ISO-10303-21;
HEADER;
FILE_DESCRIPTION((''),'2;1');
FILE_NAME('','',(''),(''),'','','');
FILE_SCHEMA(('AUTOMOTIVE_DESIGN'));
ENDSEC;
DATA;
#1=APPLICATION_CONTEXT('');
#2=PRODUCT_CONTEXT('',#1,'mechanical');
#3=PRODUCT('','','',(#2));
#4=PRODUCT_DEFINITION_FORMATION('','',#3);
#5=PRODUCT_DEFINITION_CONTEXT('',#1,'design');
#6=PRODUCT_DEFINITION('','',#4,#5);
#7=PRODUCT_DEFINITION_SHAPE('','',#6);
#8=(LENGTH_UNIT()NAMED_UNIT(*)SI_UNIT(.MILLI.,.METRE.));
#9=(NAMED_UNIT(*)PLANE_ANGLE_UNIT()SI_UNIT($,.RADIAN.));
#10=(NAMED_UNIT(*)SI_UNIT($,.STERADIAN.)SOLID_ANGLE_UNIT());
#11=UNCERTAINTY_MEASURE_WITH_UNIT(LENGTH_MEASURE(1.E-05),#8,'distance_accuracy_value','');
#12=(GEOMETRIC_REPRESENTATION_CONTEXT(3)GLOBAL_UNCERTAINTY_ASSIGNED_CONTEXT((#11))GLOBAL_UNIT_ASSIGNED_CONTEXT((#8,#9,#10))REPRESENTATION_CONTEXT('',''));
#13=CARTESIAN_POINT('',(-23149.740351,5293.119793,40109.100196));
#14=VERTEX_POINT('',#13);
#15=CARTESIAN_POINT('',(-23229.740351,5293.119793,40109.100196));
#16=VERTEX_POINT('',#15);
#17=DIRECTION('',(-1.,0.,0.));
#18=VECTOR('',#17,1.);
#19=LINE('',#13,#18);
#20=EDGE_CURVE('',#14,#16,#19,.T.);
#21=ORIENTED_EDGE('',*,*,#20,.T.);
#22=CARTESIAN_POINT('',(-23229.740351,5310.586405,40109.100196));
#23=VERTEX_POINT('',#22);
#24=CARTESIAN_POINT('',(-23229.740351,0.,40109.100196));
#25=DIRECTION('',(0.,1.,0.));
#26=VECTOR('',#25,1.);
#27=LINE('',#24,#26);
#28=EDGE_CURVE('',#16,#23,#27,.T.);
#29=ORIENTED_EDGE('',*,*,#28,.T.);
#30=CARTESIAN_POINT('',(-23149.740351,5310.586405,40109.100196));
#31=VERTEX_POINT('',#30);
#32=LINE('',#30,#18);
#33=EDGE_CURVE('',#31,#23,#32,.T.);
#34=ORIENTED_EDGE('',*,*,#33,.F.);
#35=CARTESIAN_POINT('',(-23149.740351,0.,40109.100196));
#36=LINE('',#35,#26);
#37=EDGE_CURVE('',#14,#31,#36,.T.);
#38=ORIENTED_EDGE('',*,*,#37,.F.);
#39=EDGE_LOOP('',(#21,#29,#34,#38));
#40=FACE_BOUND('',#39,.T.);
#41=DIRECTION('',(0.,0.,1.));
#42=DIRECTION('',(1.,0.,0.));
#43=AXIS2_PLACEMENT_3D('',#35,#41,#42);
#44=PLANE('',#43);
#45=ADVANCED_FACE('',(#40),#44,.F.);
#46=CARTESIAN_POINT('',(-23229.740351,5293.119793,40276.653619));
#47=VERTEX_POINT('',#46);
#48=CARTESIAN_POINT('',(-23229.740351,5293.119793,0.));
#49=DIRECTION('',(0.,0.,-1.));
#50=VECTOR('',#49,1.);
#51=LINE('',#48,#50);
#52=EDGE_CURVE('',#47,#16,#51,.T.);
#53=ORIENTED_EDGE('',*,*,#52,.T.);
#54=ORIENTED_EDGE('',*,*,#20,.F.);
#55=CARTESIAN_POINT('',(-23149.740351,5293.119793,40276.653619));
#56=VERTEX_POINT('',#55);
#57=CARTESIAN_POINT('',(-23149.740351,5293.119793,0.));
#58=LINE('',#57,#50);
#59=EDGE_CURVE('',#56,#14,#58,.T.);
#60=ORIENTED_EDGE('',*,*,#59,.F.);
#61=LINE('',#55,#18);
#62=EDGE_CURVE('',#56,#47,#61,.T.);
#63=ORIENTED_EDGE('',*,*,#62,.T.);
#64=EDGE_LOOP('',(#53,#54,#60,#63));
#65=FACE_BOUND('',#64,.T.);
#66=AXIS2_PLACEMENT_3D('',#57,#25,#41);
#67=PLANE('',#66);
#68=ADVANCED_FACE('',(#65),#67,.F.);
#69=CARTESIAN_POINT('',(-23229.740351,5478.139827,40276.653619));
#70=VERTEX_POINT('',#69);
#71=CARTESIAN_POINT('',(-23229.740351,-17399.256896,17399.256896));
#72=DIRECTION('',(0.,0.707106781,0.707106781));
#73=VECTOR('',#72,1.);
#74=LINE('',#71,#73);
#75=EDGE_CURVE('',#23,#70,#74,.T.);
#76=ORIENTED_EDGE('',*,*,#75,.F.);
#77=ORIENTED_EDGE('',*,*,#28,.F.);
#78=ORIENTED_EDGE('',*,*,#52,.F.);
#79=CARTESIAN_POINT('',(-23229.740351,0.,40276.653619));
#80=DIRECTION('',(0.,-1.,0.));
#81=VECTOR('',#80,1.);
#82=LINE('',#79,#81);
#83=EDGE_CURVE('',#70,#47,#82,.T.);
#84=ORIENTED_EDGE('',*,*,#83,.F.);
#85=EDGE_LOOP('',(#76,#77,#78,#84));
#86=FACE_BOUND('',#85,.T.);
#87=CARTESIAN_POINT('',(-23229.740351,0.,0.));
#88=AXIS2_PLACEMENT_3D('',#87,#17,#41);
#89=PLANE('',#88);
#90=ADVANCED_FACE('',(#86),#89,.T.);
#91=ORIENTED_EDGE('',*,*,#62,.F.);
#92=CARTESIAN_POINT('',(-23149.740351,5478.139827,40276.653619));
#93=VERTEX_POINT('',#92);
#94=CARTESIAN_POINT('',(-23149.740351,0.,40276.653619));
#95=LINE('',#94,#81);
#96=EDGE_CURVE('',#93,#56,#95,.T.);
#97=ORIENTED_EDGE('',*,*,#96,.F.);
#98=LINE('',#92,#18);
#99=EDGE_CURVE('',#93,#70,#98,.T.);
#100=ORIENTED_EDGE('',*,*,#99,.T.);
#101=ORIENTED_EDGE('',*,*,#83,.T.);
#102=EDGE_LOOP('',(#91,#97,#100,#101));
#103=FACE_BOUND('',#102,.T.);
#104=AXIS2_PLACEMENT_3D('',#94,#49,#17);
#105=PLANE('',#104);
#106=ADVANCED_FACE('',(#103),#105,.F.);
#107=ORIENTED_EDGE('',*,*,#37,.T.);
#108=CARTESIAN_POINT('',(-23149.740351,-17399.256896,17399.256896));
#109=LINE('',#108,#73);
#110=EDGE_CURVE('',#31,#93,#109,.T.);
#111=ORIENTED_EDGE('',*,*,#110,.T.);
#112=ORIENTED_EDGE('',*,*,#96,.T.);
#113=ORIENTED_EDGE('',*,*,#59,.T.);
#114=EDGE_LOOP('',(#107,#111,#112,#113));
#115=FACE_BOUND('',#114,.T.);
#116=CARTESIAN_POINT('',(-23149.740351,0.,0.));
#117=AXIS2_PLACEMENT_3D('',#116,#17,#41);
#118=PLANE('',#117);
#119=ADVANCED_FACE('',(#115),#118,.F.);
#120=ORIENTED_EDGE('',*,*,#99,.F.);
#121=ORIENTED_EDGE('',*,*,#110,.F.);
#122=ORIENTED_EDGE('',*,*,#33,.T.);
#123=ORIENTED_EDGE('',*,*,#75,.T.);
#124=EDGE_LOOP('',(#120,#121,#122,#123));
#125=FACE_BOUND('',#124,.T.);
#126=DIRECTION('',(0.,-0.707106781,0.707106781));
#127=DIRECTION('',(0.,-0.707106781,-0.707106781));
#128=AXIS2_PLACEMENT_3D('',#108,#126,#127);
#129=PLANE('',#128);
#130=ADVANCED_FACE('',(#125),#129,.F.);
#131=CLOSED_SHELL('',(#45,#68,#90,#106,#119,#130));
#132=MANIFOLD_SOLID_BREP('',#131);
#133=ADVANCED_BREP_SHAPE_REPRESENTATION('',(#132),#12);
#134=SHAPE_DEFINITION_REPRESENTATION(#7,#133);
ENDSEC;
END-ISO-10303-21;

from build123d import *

# Parameters (mm, degrees)
SKETCH1_W           = 167.55342283
SKETCH1_H           = 17.466611717
BOSS_EXTRUDE1_DEPTH = 80


with BuildPart() as part:
    # Sketch1 → Boss-Extrude1 (new body)
    with BuildSketch(Plane.ZY.offset(23229.740351481)):
        Polygon((40276.653618886, 5478.139827453), (40276.653618886, 5310.586404623), (40109.100196056, 5310.586404623), align=None)
        with Locations((40192.876907471, 5301.853098764)):
            Rectangle(SKETCH1_W, SKETCH1_H)
    extrude(amount=-BOSS_EXTRUDE1_DEPTH)


solid = part.part
